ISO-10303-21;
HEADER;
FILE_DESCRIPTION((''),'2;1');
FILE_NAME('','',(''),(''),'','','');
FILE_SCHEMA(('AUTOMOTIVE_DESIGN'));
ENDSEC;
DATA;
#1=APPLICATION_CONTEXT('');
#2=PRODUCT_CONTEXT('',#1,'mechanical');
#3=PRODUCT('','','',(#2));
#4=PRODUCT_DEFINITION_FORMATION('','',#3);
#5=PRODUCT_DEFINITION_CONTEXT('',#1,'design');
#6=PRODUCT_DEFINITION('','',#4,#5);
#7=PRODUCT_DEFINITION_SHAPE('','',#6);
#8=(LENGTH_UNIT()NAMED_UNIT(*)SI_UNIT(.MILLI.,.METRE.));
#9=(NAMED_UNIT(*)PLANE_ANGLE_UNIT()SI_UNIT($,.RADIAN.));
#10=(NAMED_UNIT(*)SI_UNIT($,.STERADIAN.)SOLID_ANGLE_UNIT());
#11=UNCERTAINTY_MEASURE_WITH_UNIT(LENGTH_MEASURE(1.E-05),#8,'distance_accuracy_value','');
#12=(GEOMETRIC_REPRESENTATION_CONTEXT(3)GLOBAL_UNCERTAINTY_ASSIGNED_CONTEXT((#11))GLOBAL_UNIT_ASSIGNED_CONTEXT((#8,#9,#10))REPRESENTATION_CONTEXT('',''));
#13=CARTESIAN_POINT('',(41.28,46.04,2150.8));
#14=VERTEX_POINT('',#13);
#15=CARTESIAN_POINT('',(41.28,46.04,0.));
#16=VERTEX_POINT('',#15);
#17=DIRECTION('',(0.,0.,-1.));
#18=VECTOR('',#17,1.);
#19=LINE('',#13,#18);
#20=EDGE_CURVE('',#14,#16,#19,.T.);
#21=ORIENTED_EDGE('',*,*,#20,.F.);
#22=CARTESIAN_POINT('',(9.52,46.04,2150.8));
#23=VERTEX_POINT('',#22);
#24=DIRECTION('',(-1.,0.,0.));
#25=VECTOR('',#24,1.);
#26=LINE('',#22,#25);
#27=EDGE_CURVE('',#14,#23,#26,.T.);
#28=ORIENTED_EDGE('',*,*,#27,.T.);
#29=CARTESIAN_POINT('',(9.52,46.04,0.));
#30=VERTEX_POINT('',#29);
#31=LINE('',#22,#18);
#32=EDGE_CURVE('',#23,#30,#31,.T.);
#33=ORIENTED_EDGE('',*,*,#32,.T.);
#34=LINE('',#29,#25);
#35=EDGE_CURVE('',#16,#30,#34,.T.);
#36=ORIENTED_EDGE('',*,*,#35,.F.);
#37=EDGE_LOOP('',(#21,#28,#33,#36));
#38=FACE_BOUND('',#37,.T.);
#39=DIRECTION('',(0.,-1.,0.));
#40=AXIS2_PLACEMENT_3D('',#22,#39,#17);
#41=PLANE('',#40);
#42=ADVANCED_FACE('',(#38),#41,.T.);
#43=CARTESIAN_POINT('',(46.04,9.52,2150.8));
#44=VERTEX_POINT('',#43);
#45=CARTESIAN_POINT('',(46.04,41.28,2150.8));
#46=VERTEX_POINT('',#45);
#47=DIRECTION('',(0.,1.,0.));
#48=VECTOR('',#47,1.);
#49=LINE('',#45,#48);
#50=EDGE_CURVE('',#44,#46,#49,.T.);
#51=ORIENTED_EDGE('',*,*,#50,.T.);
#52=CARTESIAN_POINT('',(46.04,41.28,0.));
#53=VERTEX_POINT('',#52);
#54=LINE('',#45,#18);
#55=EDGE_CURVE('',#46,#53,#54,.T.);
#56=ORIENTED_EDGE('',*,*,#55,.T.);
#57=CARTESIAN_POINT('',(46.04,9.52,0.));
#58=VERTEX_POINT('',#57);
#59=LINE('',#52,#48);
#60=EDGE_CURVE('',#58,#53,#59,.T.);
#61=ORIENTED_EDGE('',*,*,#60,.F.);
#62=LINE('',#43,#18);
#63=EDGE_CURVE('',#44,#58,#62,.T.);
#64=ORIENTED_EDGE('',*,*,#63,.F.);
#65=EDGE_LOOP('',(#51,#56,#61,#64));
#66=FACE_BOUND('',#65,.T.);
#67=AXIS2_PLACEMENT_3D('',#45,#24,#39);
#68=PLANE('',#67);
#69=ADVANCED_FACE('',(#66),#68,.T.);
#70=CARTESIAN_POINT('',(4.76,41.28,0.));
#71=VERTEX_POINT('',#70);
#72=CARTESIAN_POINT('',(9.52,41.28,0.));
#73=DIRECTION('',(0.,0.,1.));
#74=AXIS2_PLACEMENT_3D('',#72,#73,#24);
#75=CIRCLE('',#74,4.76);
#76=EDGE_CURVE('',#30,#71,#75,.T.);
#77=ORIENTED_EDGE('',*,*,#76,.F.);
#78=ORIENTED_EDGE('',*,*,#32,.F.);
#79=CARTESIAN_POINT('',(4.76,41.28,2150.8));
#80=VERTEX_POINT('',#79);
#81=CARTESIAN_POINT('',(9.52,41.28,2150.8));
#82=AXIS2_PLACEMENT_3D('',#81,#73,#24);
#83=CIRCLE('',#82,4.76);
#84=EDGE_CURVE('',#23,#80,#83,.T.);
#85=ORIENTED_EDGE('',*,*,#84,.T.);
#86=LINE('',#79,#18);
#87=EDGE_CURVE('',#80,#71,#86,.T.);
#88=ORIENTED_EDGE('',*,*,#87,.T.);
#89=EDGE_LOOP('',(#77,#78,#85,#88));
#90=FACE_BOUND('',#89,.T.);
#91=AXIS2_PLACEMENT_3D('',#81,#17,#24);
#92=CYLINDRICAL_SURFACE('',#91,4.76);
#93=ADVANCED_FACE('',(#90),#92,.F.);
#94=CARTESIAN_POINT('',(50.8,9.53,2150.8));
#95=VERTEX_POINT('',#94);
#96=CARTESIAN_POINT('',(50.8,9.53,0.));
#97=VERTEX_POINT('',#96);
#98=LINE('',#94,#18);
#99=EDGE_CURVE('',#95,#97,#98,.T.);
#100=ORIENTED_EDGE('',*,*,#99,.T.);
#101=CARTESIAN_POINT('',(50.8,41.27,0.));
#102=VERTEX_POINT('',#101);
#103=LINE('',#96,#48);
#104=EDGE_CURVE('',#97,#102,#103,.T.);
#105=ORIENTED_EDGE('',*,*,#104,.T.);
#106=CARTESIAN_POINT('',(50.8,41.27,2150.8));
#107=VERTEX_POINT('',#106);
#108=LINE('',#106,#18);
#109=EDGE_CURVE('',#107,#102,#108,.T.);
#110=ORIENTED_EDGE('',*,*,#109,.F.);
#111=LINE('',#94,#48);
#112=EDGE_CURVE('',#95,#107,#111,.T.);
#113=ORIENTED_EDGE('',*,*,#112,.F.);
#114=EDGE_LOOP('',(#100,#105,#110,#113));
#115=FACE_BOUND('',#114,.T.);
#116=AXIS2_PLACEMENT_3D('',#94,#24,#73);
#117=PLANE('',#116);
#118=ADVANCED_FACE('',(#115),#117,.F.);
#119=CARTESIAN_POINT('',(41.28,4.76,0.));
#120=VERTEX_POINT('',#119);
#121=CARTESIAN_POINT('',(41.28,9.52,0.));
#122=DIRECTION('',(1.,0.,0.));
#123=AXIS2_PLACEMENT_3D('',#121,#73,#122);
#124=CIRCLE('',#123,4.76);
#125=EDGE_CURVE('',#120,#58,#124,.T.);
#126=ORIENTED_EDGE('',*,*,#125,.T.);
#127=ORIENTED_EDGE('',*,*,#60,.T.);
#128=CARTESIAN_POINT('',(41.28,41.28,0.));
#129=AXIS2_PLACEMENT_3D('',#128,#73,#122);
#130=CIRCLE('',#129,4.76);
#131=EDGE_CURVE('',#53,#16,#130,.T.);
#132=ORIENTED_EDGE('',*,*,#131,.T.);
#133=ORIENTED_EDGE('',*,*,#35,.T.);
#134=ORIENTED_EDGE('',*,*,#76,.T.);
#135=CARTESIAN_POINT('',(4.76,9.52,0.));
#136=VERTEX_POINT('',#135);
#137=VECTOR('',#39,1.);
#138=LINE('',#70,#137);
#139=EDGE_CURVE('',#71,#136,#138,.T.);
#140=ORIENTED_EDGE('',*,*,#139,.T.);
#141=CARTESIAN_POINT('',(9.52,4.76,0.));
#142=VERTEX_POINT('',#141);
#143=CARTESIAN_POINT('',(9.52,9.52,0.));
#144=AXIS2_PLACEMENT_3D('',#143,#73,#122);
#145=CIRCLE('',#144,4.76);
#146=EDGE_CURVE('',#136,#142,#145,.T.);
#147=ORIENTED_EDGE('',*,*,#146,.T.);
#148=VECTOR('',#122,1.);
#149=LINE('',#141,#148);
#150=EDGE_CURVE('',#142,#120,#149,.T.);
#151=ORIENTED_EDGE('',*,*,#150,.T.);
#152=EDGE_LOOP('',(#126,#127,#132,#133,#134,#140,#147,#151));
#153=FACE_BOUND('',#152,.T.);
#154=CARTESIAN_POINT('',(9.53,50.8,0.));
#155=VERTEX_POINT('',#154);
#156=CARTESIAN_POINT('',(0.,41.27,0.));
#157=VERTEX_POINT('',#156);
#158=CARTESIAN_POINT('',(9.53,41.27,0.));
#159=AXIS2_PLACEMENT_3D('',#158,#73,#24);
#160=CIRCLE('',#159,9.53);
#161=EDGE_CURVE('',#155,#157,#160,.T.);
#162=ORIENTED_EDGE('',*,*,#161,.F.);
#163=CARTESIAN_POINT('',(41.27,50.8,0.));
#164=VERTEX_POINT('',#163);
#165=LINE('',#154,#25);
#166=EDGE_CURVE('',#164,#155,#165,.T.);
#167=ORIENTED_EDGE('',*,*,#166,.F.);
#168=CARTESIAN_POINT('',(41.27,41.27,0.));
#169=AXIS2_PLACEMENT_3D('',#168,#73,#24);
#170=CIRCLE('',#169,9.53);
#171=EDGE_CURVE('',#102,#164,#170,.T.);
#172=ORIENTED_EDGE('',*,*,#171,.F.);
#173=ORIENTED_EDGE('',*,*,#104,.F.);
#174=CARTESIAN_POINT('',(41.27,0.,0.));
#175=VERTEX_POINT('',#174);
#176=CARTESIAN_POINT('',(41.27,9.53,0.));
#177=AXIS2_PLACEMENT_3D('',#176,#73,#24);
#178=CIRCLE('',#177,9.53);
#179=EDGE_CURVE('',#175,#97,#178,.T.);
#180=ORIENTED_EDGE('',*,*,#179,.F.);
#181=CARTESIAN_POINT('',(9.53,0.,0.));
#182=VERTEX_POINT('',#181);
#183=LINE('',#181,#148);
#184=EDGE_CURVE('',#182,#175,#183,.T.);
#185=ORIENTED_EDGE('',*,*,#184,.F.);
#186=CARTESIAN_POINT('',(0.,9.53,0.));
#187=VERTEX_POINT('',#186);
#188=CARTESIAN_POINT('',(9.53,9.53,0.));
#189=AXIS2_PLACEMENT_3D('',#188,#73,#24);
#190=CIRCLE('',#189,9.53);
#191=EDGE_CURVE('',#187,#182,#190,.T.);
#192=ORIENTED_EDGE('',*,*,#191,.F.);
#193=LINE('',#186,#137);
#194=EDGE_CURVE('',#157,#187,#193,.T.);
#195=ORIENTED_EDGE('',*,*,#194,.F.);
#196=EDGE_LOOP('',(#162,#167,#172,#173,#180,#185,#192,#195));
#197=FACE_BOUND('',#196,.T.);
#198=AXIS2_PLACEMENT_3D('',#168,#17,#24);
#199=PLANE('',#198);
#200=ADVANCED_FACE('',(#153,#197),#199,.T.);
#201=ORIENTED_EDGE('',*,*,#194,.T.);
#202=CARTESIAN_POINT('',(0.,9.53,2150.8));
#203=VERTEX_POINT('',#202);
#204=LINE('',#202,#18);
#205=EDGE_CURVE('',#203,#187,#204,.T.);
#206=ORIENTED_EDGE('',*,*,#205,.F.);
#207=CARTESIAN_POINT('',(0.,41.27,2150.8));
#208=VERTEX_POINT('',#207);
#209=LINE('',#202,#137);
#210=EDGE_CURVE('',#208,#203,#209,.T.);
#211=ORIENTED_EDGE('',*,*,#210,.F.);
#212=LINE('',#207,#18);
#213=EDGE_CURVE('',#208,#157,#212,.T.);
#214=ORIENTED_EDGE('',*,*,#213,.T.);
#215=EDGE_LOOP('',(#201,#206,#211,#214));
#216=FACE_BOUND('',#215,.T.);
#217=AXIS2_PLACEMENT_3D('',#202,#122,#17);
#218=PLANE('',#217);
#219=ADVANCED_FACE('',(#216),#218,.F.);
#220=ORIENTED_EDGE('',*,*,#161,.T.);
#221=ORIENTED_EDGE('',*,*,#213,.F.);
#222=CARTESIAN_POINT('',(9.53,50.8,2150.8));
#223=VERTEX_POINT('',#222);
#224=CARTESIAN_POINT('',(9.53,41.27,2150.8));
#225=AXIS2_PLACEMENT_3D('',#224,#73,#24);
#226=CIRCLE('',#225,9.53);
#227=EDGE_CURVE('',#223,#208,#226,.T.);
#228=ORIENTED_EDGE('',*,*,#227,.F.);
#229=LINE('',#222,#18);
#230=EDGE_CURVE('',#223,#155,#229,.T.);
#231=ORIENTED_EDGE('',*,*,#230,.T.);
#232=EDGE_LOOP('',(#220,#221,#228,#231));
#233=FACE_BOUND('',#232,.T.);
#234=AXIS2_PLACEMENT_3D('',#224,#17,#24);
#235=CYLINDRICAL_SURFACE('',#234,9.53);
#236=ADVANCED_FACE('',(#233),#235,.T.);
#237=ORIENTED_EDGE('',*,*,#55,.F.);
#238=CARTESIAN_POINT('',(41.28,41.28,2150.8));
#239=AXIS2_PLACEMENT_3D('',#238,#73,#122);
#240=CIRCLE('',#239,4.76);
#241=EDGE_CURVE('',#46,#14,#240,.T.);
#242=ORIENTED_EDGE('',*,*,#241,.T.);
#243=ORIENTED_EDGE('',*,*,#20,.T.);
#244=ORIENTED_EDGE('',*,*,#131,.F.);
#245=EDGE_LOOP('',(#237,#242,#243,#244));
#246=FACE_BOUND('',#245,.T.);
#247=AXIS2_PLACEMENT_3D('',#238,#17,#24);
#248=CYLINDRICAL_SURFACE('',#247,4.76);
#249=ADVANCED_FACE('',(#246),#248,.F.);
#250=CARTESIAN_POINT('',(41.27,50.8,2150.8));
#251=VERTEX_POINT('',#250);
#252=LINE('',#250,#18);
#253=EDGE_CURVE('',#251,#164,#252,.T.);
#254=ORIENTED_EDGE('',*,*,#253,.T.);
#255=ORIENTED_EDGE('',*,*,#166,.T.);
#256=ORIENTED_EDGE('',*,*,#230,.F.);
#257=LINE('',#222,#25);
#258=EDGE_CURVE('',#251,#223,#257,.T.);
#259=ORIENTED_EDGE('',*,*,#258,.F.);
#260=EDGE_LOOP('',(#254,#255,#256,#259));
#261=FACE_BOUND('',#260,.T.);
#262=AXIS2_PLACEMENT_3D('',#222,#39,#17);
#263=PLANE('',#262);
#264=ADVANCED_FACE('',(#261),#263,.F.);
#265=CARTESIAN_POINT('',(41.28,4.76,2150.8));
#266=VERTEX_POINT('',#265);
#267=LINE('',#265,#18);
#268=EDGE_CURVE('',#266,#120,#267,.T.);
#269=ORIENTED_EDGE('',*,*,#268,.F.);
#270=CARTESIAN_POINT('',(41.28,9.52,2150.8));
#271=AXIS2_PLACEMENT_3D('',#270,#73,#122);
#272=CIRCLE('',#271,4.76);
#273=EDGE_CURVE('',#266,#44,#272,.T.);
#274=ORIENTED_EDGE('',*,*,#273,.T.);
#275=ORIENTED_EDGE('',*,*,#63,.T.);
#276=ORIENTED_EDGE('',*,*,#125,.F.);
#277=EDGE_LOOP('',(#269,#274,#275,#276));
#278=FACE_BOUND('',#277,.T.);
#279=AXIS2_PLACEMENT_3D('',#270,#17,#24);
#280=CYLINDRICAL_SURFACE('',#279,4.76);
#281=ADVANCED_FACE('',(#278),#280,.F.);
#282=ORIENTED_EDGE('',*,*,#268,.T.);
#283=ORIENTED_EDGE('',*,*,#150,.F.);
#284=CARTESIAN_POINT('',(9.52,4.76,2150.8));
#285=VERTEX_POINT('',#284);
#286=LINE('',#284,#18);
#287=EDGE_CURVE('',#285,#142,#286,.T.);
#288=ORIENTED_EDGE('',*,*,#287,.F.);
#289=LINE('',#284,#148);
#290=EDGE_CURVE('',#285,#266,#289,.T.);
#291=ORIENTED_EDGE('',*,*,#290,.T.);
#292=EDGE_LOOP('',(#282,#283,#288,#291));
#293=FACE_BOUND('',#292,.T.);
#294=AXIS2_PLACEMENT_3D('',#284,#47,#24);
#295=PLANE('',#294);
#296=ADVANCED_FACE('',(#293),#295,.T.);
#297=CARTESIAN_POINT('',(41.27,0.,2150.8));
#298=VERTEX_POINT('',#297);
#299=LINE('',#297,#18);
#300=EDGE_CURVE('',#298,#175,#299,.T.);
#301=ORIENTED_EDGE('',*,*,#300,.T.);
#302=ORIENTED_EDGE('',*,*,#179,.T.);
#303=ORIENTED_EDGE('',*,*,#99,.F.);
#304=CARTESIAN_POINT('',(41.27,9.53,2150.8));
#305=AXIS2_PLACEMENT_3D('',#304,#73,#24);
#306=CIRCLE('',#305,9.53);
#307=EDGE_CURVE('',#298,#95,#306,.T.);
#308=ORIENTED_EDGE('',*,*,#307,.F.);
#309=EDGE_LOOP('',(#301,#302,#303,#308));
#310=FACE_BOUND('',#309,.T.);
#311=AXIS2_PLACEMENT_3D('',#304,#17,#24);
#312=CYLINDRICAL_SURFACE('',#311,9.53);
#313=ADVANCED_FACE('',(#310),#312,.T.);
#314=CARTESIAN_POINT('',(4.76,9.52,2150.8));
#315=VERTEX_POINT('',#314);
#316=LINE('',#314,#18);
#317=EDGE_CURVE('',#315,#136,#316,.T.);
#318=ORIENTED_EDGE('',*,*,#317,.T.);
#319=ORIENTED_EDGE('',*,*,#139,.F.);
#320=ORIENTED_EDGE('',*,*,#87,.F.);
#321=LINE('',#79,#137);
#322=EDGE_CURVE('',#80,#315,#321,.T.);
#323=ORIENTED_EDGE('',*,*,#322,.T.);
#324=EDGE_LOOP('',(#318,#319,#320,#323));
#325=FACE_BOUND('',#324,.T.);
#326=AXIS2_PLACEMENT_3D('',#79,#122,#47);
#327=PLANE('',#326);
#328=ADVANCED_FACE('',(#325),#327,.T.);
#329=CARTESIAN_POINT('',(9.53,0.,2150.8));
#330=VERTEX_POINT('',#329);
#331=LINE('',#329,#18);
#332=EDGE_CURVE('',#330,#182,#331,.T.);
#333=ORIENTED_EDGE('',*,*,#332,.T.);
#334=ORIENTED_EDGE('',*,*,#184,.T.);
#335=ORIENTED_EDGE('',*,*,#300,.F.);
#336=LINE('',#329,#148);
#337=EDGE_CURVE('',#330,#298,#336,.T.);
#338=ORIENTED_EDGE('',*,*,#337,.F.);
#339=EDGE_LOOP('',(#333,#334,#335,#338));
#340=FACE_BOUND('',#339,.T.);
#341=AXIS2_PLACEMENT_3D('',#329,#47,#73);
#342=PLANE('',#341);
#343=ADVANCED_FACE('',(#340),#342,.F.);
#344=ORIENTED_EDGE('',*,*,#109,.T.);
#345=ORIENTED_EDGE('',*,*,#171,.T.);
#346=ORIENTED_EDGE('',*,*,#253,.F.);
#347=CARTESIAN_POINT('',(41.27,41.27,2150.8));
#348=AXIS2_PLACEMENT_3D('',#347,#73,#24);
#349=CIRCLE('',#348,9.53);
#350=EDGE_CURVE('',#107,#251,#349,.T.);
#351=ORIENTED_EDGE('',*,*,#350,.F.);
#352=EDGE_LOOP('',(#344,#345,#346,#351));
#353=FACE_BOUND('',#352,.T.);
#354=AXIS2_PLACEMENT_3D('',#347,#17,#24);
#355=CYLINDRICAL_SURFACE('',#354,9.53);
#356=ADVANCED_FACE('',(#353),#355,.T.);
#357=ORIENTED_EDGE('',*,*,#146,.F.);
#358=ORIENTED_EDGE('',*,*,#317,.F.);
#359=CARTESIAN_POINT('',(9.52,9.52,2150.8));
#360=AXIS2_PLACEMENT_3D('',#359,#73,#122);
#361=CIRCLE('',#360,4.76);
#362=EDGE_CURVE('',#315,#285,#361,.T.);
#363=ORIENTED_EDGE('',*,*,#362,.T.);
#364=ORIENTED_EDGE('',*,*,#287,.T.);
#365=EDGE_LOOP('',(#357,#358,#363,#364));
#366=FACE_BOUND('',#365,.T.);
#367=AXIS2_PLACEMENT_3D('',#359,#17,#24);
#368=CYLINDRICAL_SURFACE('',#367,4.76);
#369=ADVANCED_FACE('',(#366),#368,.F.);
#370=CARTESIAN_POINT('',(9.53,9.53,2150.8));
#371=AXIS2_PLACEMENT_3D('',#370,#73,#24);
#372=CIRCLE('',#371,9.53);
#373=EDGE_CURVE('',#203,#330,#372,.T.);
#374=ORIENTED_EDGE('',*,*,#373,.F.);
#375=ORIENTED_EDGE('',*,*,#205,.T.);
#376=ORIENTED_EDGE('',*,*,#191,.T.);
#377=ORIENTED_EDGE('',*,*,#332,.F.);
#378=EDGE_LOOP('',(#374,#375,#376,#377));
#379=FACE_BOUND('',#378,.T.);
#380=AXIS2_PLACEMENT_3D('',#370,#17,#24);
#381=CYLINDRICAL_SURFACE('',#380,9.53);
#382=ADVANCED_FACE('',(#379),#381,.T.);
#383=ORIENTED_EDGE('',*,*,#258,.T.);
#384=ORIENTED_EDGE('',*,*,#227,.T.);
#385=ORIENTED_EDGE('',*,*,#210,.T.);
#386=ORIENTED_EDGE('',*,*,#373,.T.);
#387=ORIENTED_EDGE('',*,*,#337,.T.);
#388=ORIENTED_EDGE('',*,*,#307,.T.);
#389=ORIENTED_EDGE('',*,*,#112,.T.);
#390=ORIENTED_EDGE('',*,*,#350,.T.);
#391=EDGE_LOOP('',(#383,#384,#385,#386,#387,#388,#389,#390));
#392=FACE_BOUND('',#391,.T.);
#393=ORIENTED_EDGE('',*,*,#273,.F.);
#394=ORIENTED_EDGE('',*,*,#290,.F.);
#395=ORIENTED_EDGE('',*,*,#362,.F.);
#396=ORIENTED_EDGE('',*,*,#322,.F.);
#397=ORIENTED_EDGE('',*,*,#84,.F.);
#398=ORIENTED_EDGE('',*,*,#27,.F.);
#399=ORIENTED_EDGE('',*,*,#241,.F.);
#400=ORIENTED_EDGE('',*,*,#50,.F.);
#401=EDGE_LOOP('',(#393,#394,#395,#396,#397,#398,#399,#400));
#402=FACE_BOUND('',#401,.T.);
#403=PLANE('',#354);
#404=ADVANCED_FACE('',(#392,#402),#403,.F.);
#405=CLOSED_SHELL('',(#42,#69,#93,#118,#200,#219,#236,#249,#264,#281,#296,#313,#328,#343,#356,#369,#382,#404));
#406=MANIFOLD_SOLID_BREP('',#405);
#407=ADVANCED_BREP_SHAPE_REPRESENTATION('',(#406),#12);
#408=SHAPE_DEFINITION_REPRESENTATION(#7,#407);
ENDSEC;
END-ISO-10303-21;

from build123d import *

# Parameters (mm, degrees)
DODANIE_WYCI_GNI_CIE1_DEPTH = 2150.8


with BuildPart() as part:
    # Szkic1 → Dodanie-wyciągnięcie1 (new body)
    with BuildSketch(Plane.XY):
        with BuildLine():
            Line((9.53, 0), (41.27, 0))
            ThreePointArc((41.27, 0), (48.008727625, 2.791272375), (50.8, 9.53))
            Line((50.8, 9.53), (50.8, 41.27))
            ThreePointArc((50.8, 41.27), (48.008727625, 48.008727625), (41.27, 50.8))
            Line((41.27, 50.8), (9.53, 50.8))
            ThreePointArc((9.53, 50.8), (2.791272375, 48.008727625), (0, 41.27))
            Line((0, 41.27), (0, 9.53))
            ThreePointArc((0, 9.53), (2.791272375, 2.791272375), (9.53, 0))
        make_face()
        with BuildLine():
            Line((9.52, 46.04), (41.28, 46.04))
            ThreePointArc((41.28, 46.04), (44.645828278, 44.645828278), (46.04, 41.28))
            Line((46.04, 41.28), (46.04, 9.52))
            ThreePointArc((46.04, 9.52), (44.645828278, 6.154171722), (41.28, 4.76))
            Line((41.28, 4.76), (9.52, 4.76))
            ThreePointArc((9.52, 4.76), (6.154171722, 6.154171722), (4.76, 9.52))
            Line((4.76, 9.52), (4.76, 41.28))
            ThreePointArc((4.76, 41.28), (6.154171722, 44.645828278), (9.52, 46.04))
        make_face(mode=Mode.SUBTRACT)
    extrude(amount=DODANIE_WYCI_GNI_CIE1_DEPTH)


solid = part.part
